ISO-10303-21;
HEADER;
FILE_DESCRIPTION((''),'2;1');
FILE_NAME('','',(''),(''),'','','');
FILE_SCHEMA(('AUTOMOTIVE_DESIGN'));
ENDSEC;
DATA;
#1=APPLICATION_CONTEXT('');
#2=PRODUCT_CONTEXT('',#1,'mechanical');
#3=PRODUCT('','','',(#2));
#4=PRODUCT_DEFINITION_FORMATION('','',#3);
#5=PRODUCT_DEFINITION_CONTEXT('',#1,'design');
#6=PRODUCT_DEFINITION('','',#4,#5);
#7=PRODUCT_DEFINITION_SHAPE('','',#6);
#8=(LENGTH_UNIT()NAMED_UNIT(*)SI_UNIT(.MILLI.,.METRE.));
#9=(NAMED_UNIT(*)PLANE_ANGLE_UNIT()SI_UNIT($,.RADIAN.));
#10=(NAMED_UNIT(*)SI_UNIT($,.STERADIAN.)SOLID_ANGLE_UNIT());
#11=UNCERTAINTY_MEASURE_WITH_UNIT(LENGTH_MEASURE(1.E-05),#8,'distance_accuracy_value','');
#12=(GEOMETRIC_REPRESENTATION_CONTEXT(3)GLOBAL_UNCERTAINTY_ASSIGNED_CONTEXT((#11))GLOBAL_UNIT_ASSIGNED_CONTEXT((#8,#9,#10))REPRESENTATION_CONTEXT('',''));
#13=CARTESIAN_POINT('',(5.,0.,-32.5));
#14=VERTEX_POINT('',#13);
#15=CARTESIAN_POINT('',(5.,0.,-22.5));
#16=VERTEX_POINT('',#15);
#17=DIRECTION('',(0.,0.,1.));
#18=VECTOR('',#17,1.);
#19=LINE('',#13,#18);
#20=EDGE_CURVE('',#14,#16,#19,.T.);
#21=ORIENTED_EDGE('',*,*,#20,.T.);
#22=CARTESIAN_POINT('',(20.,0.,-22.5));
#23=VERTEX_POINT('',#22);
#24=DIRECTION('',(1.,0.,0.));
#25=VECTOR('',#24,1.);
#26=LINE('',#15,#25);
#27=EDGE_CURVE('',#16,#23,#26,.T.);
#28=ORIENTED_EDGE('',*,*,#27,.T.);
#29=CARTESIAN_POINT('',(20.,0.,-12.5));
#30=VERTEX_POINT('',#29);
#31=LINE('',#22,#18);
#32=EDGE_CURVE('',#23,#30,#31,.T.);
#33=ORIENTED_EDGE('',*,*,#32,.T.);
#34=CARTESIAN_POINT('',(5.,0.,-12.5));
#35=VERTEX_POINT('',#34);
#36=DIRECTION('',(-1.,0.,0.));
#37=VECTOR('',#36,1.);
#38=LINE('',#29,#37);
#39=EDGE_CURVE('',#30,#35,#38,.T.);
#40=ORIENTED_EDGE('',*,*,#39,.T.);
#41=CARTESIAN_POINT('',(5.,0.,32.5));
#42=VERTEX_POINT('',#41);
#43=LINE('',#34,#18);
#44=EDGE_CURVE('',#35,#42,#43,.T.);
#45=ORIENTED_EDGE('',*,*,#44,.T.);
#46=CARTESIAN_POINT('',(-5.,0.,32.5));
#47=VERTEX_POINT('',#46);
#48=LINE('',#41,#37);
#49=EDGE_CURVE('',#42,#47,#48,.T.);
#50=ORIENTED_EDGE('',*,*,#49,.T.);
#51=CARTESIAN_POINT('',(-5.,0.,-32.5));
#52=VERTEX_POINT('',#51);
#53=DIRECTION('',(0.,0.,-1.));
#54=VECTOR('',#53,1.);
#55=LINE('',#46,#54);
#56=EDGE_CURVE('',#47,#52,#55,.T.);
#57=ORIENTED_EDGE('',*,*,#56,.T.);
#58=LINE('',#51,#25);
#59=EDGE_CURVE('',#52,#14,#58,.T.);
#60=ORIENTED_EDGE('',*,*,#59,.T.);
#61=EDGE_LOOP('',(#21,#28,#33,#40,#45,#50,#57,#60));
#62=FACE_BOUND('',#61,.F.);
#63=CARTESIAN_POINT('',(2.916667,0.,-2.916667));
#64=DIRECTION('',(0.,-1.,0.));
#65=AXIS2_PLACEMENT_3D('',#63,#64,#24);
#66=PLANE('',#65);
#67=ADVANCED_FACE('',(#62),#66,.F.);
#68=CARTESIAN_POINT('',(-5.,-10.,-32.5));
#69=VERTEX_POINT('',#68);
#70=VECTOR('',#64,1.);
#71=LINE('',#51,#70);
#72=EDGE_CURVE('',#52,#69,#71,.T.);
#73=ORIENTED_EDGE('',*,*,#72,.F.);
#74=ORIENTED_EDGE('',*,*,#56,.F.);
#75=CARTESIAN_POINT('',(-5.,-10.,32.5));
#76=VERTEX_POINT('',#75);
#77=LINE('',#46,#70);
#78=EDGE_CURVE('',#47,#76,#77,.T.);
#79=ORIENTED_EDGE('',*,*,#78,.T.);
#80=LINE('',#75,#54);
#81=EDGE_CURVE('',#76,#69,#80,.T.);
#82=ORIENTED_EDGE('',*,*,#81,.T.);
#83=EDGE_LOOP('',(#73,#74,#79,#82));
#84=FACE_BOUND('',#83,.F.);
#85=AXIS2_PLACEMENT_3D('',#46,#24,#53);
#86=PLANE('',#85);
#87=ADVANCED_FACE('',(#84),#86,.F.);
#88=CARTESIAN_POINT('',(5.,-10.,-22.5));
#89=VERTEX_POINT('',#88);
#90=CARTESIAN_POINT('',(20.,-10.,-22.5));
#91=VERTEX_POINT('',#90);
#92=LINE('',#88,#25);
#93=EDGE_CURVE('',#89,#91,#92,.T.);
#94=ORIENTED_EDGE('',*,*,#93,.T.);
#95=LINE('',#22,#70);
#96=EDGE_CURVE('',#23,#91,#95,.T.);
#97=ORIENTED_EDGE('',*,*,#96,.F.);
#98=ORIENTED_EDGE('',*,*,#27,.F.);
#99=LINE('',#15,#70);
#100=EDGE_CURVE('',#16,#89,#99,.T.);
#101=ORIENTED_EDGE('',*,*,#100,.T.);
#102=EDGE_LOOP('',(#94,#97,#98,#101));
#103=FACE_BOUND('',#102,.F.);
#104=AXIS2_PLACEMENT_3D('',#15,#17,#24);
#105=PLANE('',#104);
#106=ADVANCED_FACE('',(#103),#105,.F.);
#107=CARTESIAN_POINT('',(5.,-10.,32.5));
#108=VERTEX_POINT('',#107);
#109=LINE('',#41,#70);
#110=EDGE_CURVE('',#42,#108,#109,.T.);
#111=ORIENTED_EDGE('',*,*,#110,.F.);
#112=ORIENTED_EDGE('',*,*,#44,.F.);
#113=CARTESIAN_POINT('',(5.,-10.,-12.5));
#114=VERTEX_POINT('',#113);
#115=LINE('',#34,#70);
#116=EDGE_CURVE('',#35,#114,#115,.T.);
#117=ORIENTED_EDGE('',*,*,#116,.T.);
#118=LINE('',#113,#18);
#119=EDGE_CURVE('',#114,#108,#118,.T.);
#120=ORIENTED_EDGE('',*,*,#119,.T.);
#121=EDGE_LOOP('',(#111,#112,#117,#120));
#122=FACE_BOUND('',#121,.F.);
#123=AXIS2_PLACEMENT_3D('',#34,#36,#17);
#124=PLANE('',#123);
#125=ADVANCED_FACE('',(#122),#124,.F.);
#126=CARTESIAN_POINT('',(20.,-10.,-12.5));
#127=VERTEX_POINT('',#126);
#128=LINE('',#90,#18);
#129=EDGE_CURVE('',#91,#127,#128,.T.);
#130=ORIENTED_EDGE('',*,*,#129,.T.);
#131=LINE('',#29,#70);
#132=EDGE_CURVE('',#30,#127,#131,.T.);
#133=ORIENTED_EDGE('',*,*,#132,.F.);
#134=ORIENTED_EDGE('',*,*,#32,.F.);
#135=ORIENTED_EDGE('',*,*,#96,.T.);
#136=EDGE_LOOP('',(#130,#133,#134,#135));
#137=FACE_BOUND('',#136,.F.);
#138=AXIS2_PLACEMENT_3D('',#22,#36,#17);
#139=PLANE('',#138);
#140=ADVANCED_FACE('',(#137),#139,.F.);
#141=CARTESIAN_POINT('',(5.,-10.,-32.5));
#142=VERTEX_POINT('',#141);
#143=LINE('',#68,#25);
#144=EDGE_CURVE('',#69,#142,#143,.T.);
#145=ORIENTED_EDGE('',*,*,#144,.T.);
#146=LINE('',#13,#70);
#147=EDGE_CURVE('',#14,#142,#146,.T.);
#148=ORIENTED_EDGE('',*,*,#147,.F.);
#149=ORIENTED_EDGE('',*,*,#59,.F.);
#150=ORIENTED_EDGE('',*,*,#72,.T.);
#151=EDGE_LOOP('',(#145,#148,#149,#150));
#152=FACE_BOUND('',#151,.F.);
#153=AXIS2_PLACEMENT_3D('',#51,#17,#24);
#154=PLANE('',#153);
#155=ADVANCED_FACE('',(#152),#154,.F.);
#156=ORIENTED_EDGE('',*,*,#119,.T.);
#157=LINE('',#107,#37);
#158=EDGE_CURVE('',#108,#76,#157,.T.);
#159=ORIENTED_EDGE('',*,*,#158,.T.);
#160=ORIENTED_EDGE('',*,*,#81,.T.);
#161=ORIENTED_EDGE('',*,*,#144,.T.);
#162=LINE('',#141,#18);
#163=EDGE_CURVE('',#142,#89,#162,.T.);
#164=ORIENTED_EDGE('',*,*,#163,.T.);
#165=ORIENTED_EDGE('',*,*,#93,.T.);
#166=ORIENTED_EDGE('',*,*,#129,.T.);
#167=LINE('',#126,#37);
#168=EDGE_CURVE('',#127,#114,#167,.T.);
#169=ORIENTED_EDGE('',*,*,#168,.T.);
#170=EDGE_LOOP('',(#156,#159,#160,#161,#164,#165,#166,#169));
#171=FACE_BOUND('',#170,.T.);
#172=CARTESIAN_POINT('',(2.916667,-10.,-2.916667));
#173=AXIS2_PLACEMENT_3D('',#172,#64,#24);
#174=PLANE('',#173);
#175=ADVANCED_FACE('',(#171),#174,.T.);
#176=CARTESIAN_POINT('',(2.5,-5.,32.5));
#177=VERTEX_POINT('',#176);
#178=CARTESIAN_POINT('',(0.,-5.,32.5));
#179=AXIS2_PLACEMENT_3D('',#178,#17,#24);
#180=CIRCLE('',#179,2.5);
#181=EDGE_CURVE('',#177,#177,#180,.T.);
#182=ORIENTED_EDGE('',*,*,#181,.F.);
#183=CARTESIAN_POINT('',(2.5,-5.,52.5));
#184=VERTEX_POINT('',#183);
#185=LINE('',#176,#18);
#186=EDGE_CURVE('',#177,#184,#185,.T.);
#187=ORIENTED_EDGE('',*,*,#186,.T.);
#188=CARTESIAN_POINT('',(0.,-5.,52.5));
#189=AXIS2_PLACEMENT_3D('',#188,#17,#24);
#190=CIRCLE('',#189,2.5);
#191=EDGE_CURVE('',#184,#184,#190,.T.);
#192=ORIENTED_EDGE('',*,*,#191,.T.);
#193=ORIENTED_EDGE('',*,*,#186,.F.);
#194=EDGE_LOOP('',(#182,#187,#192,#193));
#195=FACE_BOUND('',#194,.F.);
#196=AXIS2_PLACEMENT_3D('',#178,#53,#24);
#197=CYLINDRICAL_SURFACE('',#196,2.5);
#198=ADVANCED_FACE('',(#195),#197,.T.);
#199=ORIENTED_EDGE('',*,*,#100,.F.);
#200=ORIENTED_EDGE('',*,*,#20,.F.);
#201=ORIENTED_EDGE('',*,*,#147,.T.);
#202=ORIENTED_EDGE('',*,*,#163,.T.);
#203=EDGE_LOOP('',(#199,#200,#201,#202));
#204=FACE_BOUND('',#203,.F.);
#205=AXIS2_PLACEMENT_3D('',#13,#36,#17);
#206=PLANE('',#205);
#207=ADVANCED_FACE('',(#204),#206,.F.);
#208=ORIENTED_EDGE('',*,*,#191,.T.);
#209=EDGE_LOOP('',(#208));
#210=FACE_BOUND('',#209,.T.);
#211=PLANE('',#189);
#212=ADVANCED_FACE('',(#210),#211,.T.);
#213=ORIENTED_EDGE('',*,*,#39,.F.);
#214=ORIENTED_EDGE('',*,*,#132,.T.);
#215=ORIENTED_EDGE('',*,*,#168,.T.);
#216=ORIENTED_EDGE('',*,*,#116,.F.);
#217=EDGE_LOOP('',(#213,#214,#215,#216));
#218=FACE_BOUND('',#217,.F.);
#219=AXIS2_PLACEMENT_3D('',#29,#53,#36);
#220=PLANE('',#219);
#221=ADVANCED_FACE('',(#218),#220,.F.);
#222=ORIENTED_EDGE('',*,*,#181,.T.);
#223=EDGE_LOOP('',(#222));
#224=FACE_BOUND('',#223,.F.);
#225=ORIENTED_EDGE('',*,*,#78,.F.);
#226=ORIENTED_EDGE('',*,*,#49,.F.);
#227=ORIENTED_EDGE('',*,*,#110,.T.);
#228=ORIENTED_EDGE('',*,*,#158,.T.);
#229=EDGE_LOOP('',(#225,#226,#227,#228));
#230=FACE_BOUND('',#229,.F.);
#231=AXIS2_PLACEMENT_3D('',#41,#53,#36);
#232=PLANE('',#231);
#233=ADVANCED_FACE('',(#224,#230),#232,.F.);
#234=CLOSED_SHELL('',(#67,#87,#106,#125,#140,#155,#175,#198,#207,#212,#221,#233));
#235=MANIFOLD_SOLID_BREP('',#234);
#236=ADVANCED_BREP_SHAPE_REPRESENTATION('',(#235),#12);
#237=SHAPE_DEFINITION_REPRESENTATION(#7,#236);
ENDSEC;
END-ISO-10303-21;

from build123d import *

# Parameters (mm, degrees)
F1_DEPTH = 10
F2_R     = 2.5
F3_DEPTH = 20


with BuildPart() as f1:
    # F0 (on Front) → F1 (new body)
    with BuildSketch(Plane.XZ):
        Polygon((-5, -32.5), (5, -32.5), (5, -22.5), (20, -22.5), (20, -12.5), (5, -12.5), (5, 32.5), (-5, 32.5), align=None)
    extrude(amount=F1_DEPTH)

    # F2 (on face) → F3 (join)
    with BuildSketch(Plane.XY.offset(32.5)):
        with Locations((0, -5)):
            Circle(F2_R)
    extrude(amount=F3_DEPTH)


solid = f1.part
